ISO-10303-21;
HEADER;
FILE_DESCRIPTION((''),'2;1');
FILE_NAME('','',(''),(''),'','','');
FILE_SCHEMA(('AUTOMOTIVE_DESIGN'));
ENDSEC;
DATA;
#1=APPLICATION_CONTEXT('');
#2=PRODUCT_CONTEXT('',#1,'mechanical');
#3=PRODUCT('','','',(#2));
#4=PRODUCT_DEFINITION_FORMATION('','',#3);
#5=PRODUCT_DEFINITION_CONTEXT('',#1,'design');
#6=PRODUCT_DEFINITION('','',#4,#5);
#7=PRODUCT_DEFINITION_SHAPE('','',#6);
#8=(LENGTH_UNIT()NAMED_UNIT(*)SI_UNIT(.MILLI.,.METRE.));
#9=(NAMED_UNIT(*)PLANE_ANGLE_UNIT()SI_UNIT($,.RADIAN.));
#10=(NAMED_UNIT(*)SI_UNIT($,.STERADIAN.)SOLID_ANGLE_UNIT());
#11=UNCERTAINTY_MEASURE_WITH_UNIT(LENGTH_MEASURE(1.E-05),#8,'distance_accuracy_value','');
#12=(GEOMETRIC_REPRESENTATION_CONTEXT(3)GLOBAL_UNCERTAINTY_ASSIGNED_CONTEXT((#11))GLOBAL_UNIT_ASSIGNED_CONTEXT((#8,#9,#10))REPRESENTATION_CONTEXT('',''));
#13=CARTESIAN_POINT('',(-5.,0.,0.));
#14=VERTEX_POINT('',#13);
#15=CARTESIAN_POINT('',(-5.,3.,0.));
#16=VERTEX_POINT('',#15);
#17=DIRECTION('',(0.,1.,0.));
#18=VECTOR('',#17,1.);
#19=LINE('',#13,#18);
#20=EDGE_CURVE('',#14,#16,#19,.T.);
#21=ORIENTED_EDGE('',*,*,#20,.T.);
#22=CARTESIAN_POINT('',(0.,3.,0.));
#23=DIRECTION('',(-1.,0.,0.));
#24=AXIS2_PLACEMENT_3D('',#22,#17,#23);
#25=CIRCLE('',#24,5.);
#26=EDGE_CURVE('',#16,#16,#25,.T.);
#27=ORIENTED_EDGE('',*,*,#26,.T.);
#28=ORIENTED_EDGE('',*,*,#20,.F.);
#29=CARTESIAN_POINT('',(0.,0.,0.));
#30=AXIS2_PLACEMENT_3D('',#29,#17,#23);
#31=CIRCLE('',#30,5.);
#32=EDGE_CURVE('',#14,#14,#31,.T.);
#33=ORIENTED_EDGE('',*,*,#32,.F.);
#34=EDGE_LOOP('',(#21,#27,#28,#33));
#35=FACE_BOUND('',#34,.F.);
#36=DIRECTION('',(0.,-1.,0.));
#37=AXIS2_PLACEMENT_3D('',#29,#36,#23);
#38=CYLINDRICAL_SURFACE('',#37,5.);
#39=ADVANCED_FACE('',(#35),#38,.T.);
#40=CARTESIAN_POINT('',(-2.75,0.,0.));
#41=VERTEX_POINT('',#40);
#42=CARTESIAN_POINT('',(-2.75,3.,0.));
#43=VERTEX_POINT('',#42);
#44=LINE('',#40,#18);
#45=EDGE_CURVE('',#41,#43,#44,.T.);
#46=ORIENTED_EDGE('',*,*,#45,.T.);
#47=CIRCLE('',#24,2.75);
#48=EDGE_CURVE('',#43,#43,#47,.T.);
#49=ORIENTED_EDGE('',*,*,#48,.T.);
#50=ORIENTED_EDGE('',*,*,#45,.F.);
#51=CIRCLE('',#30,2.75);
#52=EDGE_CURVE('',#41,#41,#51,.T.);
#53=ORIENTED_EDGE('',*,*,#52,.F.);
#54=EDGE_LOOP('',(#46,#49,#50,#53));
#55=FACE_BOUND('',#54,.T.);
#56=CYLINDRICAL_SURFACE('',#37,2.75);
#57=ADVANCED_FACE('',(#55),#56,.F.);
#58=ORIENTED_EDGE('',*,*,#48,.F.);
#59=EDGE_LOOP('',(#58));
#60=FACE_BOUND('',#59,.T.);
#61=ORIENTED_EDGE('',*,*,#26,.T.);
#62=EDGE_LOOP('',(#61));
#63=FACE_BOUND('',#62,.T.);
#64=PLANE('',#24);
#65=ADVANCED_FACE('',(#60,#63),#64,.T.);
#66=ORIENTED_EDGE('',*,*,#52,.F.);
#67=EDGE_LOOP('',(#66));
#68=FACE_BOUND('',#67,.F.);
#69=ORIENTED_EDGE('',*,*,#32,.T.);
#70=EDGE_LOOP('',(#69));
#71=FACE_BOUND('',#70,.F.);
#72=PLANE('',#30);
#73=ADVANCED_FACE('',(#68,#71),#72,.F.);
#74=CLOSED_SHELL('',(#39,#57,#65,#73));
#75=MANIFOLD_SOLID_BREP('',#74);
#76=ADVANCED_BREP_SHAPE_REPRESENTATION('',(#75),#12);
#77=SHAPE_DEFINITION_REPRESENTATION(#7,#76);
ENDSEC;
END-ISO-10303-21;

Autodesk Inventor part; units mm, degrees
ref_plane "YZ Plane" through (0, 0, 0) normal (1, 0, 0) x (0, 1, 0)
ref_plane "XZ Plane" through (0, 0, 0) normal (0, 1, 0) x (-1, 0, 0)
ref_plane "XY Plane" through (0, 0, 0) normal (0, 0, 1) x (1, 0, 0)
sketch "Sketch1" plane through (0, 0, 0) normal (0, 1, 0) x (-1, 0, 0)
  circle A0 centre (0, 0) radius 2.75
  circle A1 centre (0, 0) radius 5
  dimension "d0" = 5.5
  dimension "d1" = 10
extrude "Extrusion1" add sketch "Sketch1" along normal blind 3
properties part number "6mm_Spacer"
